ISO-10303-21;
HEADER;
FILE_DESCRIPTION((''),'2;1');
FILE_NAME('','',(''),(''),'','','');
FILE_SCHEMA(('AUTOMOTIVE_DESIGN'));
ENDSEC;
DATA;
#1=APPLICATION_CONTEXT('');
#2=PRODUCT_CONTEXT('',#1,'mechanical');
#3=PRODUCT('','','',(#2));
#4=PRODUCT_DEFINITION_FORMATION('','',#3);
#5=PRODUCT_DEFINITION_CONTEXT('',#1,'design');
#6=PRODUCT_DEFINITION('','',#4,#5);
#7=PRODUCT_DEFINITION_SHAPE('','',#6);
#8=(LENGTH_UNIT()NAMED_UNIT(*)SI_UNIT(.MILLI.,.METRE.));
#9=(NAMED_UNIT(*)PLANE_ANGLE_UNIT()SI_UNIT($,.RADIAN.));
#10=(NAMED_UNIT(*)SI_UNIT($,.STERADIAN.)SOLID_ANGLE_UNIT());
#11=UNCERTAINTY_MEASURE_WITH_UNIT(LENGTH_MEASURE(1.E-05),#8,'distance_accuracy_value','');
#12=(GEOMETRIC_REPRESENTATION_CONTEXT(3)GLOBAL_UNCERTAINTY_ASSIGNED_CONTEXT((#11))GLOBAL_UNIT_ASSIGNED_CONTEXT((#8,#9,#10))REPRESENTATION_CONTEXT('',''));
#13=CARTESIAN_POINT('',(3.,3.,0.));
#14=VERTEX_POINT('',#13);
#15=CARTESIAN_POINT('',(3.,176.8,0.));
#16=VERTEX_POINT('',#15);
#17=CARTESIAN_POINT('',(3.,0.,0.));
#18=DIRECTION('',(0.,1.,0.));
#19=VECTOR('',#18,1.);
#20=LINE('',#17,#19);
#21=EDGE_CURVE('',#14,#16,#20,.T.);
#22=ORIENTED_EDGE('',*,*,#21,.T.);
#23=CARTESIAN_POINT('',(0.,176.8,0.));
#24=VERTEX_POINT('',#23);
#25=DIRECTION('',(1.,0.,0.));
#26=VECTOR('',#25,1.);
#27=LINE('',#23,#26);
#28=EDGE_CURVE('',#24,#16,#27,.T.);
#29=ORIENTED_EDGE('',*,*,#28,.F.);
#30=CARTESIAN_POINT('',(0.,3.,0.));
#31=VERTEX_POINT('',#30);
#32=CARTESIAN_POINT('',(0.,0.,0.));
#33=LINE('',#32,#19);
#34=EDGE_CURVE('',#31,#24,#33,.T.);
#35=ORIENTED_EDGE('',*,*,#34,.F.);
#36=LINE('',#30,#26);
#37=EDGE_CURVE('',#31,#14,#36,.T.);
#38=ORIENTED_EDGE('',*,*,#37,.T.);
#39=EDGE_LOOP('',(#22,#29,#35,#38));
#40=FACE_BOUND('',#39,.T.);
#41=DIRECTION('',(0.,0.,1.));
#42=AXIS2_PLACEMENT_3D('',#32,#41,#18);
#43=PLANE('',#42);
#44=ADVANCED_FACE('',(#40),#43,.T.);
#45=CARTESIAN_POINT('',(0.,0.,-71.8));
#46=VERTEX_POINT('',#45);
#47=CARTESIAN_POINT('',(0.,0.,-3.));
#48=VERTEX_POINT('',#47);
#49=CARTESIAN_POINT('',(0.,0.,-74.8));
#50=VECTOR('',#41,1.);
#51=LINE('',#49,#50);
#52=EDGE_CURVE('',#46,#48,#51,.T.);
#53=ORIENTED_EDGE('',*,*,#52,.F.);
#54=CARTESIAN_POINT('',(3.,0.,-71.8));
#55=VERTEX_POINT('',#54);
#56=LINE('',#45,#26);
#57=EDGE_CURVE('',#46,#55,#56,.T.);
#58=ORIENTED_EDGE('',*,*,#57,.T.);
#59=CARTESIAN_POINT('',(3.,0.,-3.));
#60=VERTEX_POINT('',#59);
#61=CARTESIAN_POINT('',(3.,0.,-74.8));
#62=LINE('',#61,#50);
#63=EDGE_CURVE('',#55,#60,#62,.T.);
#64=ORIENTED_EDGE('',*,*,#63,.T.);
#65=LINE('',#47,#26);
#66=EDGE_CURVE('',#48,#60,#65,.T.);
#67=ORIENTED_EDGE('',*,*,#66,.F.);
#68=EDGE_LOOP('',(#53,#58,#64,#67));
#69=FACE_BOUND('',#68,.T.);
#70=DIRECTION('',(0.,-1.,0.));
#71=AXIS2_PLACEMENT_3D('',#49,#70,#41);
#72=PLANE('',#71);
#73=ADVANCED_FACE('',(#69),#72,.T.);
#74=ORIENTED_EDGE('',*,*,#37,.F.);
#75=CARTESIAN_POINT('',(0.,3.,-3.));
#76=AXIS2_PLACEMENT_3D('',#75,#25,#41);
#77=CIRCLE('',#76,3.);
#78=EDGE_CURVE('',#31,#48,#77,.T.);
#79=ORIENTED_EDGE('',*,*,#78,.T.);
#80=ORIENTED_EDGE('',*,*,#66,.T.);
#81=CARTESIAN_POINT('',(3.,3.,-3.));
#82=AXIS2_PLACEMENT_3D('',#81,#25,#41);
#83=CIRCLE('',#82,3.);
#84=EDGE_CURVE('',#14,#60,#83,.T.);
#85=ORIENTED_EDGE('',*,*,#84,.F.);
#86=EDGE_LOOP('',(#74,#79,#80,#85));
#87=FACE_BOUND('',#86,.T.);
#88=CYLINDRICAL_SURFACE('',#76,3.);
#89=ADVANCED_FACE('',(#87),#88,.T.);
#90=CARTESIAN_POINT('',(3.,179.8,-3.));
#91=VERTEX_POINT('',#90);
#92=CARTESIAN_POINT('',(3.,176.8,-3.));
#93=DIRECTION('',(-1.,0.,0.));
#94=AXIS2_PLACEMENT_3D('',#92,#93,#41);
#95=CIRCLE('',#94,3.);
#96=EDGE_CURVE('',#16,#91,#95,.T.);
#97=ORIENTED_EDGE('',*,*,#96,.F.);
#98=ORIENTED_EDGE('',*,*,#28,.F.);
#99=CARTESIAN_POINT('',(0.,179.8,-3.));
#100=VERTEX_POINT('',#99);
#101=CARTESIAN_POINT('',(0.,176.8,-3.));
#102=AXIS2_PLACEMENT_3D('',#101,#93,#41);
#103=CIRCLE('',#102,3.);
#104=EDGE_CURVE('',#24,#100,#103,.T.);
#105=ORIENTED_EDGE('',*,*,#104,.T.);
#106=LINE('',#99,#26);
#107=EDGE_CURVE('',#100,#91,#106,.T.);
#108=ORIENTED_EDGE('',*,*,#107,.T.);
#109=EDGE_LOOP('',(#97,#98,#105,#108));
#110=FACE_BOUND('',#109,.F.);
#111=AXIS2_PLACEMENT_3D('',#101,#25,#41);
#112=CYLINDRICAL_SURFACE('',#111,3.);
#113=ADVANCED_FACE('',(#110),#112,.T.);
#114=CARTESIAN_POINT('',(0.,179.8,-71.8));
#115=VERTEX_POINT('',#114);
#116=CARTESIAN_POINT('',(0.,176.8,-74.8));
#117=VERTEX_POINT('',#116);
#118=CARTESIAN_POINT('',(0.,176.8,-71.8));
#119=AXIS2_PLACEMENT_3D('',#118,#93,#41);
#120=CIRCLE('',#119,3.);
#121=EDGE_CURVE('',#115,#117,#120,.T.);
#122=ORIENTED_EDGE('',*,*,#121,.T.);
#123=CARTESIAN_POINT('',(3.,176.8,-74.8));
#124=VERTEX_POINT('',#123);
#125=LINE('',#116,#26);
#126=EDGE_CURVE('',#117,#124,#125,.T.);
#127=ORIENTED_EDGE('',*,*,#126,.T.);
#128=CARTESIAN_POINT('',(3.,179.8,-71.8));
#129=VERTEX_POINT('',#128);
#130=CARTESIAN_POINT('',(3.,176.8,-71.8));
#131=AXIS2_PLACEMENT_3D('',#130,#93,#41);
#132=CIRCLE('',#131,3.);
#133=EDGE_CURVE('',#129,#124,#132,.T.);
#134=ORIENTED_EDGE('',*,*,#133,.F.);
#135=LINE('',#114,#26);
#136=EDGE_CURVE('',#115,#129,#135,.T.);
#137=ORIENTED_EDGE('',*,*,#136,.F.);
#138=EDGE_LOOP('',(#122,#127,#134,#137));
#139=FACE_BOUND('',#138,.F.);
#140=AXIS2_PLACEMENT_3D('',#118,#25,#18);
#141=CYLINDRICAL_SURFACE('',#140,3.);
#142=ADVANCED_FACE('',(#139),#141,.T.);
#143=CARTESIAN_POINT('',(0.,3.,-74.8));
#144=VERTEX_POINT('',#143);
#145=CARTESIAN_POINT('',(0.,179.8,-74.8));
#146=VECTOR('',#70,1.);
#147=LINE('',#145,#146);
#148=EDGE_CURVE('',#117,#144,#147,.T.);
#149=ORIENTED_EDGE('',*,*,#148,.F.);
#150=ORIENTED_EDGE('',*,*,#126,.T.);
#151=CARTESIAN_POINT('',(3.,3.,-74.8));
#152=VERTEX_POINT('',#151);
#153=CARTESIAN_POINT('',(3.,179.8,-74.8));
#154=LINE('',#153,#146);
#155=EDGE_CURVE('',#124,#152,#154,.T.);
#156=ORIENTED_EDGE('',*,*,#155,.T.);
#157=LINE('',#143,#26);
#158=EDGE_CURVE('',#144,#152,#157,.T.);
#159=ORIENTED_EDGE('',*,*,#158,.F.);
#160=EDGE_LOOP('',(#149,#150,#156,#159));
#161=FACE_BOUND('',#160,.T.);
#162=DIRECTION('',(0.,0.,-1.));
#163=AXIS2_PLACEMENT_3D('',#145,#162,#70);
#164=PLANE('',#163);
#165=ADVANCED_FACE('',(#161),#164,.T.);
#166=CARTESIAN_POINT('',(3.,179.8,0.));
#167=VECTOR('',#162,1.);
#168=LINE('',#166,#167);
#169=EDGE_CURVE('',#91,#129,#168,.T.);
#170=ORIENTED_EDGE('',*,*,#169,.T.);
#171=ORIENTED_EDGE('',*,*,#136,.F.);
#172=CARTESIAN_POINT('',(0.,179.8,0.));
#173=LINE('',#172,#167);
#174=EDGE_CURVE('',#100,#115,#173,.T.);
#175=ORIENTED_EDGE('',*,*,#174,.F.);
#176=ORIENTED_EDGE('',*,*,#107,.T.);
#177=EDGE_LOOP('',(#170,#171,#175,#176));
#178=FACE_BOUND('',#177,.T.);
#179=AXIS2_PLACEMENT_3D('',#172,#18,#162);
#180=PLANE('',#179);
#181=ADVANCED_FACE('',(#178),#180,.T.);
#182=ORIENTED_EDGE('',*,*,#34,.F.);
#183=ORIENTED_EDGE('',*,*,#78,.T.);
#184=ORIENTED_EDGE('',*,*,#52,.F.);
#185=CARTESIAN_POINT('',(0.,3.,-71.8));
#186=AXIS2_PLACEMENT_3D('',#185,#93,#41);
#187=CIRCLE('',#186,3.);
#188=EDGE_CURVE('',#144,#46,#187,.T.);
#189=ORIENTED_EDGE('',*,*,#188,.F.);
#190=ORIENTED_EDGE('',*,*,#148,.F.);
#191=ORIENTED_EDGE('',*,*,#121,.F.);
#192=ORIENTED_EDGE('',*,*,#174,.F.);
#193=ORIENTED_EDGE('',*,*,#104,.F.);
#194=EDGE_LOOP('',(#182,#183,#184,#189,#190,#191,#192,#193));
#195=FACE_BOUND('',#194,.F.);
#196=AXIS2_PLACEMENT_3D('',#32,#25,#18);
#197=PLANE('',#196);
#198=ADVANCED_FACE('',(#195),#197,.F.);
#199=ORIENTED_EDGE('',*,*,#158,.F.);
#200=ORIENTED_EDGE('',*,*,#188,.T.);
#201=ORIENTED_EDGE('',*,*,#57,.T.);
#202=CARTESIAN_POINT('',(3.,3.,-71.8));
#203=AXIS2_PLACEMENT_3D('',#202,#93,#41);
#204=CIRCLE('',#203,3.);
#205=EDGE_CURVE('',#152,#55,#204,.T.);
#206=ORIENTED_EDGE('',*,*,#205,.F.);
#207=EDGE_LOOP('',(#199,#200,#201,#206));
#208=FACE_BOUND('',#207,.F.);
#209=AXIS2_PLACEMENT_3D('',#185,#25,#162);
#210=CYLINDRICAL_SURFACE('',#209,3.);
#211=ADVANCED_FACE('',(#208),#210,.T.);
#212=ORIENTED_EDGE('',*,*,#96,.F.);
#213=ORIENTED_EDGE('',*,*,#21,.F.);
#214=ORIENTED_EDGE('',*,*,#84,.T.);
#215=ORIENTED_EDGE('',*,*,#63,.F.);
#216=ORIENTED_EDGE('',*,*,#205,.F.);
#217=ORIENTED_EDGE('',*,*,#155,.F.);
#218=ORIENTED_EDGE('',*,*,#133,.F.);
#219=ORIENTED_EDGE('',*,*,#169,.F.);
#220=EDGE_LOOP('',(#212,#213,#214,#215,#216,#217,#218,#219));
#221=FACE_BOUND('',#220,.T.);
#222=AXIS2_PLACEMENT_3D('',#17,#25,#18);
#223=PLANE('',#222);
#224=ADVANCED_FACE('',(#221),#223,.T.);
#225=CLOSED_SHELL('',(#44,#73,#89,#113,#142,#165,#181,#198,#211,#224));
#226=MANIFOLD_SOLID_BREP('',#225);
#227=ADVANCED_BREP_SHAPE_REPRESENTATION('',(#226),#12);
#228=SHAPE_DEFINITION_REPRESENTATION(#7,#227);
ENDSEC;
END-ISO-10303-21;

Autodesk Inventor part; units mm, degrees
ref_plane "YZ Plane" through (0, 0, 0) normal (1, 0, 0) x (0, 1, 0)
ref_plane "XZ Plane" through (0, 0, 0) normal (0, 1, 0) x (-1, 0, 0)
ref_plane "XY Plane" through (0, 0, 0) normal (0, 0, 1) x (1, 0, 0)
sketch "Sketch1" plane through (0, 0, 0) normal (1, 0, 0) x (0, 1, 0)
  line L0 (0, 0) -> (179.8, 0)
  line L1 (179.8, 0) -> (179.8, -74.8)
  line L2 (179.8, -74.8) -> (0, -74.8)
  line L3 (0, -74.8) -> (0, 0)
  dimension "d0" = 179.8
  dimension "d1" = 74.8
extrude "Extrusion1" add sketch "Sketch1" along normal blind 3
fillet "Fillet1" radius 3 4 edges at (1.5, 179.8, 0) (1.5, 179.8, -74.8) (1.5, 0, 0) (1.5, 0, -74.8)
properties part number "ChamberSides"
